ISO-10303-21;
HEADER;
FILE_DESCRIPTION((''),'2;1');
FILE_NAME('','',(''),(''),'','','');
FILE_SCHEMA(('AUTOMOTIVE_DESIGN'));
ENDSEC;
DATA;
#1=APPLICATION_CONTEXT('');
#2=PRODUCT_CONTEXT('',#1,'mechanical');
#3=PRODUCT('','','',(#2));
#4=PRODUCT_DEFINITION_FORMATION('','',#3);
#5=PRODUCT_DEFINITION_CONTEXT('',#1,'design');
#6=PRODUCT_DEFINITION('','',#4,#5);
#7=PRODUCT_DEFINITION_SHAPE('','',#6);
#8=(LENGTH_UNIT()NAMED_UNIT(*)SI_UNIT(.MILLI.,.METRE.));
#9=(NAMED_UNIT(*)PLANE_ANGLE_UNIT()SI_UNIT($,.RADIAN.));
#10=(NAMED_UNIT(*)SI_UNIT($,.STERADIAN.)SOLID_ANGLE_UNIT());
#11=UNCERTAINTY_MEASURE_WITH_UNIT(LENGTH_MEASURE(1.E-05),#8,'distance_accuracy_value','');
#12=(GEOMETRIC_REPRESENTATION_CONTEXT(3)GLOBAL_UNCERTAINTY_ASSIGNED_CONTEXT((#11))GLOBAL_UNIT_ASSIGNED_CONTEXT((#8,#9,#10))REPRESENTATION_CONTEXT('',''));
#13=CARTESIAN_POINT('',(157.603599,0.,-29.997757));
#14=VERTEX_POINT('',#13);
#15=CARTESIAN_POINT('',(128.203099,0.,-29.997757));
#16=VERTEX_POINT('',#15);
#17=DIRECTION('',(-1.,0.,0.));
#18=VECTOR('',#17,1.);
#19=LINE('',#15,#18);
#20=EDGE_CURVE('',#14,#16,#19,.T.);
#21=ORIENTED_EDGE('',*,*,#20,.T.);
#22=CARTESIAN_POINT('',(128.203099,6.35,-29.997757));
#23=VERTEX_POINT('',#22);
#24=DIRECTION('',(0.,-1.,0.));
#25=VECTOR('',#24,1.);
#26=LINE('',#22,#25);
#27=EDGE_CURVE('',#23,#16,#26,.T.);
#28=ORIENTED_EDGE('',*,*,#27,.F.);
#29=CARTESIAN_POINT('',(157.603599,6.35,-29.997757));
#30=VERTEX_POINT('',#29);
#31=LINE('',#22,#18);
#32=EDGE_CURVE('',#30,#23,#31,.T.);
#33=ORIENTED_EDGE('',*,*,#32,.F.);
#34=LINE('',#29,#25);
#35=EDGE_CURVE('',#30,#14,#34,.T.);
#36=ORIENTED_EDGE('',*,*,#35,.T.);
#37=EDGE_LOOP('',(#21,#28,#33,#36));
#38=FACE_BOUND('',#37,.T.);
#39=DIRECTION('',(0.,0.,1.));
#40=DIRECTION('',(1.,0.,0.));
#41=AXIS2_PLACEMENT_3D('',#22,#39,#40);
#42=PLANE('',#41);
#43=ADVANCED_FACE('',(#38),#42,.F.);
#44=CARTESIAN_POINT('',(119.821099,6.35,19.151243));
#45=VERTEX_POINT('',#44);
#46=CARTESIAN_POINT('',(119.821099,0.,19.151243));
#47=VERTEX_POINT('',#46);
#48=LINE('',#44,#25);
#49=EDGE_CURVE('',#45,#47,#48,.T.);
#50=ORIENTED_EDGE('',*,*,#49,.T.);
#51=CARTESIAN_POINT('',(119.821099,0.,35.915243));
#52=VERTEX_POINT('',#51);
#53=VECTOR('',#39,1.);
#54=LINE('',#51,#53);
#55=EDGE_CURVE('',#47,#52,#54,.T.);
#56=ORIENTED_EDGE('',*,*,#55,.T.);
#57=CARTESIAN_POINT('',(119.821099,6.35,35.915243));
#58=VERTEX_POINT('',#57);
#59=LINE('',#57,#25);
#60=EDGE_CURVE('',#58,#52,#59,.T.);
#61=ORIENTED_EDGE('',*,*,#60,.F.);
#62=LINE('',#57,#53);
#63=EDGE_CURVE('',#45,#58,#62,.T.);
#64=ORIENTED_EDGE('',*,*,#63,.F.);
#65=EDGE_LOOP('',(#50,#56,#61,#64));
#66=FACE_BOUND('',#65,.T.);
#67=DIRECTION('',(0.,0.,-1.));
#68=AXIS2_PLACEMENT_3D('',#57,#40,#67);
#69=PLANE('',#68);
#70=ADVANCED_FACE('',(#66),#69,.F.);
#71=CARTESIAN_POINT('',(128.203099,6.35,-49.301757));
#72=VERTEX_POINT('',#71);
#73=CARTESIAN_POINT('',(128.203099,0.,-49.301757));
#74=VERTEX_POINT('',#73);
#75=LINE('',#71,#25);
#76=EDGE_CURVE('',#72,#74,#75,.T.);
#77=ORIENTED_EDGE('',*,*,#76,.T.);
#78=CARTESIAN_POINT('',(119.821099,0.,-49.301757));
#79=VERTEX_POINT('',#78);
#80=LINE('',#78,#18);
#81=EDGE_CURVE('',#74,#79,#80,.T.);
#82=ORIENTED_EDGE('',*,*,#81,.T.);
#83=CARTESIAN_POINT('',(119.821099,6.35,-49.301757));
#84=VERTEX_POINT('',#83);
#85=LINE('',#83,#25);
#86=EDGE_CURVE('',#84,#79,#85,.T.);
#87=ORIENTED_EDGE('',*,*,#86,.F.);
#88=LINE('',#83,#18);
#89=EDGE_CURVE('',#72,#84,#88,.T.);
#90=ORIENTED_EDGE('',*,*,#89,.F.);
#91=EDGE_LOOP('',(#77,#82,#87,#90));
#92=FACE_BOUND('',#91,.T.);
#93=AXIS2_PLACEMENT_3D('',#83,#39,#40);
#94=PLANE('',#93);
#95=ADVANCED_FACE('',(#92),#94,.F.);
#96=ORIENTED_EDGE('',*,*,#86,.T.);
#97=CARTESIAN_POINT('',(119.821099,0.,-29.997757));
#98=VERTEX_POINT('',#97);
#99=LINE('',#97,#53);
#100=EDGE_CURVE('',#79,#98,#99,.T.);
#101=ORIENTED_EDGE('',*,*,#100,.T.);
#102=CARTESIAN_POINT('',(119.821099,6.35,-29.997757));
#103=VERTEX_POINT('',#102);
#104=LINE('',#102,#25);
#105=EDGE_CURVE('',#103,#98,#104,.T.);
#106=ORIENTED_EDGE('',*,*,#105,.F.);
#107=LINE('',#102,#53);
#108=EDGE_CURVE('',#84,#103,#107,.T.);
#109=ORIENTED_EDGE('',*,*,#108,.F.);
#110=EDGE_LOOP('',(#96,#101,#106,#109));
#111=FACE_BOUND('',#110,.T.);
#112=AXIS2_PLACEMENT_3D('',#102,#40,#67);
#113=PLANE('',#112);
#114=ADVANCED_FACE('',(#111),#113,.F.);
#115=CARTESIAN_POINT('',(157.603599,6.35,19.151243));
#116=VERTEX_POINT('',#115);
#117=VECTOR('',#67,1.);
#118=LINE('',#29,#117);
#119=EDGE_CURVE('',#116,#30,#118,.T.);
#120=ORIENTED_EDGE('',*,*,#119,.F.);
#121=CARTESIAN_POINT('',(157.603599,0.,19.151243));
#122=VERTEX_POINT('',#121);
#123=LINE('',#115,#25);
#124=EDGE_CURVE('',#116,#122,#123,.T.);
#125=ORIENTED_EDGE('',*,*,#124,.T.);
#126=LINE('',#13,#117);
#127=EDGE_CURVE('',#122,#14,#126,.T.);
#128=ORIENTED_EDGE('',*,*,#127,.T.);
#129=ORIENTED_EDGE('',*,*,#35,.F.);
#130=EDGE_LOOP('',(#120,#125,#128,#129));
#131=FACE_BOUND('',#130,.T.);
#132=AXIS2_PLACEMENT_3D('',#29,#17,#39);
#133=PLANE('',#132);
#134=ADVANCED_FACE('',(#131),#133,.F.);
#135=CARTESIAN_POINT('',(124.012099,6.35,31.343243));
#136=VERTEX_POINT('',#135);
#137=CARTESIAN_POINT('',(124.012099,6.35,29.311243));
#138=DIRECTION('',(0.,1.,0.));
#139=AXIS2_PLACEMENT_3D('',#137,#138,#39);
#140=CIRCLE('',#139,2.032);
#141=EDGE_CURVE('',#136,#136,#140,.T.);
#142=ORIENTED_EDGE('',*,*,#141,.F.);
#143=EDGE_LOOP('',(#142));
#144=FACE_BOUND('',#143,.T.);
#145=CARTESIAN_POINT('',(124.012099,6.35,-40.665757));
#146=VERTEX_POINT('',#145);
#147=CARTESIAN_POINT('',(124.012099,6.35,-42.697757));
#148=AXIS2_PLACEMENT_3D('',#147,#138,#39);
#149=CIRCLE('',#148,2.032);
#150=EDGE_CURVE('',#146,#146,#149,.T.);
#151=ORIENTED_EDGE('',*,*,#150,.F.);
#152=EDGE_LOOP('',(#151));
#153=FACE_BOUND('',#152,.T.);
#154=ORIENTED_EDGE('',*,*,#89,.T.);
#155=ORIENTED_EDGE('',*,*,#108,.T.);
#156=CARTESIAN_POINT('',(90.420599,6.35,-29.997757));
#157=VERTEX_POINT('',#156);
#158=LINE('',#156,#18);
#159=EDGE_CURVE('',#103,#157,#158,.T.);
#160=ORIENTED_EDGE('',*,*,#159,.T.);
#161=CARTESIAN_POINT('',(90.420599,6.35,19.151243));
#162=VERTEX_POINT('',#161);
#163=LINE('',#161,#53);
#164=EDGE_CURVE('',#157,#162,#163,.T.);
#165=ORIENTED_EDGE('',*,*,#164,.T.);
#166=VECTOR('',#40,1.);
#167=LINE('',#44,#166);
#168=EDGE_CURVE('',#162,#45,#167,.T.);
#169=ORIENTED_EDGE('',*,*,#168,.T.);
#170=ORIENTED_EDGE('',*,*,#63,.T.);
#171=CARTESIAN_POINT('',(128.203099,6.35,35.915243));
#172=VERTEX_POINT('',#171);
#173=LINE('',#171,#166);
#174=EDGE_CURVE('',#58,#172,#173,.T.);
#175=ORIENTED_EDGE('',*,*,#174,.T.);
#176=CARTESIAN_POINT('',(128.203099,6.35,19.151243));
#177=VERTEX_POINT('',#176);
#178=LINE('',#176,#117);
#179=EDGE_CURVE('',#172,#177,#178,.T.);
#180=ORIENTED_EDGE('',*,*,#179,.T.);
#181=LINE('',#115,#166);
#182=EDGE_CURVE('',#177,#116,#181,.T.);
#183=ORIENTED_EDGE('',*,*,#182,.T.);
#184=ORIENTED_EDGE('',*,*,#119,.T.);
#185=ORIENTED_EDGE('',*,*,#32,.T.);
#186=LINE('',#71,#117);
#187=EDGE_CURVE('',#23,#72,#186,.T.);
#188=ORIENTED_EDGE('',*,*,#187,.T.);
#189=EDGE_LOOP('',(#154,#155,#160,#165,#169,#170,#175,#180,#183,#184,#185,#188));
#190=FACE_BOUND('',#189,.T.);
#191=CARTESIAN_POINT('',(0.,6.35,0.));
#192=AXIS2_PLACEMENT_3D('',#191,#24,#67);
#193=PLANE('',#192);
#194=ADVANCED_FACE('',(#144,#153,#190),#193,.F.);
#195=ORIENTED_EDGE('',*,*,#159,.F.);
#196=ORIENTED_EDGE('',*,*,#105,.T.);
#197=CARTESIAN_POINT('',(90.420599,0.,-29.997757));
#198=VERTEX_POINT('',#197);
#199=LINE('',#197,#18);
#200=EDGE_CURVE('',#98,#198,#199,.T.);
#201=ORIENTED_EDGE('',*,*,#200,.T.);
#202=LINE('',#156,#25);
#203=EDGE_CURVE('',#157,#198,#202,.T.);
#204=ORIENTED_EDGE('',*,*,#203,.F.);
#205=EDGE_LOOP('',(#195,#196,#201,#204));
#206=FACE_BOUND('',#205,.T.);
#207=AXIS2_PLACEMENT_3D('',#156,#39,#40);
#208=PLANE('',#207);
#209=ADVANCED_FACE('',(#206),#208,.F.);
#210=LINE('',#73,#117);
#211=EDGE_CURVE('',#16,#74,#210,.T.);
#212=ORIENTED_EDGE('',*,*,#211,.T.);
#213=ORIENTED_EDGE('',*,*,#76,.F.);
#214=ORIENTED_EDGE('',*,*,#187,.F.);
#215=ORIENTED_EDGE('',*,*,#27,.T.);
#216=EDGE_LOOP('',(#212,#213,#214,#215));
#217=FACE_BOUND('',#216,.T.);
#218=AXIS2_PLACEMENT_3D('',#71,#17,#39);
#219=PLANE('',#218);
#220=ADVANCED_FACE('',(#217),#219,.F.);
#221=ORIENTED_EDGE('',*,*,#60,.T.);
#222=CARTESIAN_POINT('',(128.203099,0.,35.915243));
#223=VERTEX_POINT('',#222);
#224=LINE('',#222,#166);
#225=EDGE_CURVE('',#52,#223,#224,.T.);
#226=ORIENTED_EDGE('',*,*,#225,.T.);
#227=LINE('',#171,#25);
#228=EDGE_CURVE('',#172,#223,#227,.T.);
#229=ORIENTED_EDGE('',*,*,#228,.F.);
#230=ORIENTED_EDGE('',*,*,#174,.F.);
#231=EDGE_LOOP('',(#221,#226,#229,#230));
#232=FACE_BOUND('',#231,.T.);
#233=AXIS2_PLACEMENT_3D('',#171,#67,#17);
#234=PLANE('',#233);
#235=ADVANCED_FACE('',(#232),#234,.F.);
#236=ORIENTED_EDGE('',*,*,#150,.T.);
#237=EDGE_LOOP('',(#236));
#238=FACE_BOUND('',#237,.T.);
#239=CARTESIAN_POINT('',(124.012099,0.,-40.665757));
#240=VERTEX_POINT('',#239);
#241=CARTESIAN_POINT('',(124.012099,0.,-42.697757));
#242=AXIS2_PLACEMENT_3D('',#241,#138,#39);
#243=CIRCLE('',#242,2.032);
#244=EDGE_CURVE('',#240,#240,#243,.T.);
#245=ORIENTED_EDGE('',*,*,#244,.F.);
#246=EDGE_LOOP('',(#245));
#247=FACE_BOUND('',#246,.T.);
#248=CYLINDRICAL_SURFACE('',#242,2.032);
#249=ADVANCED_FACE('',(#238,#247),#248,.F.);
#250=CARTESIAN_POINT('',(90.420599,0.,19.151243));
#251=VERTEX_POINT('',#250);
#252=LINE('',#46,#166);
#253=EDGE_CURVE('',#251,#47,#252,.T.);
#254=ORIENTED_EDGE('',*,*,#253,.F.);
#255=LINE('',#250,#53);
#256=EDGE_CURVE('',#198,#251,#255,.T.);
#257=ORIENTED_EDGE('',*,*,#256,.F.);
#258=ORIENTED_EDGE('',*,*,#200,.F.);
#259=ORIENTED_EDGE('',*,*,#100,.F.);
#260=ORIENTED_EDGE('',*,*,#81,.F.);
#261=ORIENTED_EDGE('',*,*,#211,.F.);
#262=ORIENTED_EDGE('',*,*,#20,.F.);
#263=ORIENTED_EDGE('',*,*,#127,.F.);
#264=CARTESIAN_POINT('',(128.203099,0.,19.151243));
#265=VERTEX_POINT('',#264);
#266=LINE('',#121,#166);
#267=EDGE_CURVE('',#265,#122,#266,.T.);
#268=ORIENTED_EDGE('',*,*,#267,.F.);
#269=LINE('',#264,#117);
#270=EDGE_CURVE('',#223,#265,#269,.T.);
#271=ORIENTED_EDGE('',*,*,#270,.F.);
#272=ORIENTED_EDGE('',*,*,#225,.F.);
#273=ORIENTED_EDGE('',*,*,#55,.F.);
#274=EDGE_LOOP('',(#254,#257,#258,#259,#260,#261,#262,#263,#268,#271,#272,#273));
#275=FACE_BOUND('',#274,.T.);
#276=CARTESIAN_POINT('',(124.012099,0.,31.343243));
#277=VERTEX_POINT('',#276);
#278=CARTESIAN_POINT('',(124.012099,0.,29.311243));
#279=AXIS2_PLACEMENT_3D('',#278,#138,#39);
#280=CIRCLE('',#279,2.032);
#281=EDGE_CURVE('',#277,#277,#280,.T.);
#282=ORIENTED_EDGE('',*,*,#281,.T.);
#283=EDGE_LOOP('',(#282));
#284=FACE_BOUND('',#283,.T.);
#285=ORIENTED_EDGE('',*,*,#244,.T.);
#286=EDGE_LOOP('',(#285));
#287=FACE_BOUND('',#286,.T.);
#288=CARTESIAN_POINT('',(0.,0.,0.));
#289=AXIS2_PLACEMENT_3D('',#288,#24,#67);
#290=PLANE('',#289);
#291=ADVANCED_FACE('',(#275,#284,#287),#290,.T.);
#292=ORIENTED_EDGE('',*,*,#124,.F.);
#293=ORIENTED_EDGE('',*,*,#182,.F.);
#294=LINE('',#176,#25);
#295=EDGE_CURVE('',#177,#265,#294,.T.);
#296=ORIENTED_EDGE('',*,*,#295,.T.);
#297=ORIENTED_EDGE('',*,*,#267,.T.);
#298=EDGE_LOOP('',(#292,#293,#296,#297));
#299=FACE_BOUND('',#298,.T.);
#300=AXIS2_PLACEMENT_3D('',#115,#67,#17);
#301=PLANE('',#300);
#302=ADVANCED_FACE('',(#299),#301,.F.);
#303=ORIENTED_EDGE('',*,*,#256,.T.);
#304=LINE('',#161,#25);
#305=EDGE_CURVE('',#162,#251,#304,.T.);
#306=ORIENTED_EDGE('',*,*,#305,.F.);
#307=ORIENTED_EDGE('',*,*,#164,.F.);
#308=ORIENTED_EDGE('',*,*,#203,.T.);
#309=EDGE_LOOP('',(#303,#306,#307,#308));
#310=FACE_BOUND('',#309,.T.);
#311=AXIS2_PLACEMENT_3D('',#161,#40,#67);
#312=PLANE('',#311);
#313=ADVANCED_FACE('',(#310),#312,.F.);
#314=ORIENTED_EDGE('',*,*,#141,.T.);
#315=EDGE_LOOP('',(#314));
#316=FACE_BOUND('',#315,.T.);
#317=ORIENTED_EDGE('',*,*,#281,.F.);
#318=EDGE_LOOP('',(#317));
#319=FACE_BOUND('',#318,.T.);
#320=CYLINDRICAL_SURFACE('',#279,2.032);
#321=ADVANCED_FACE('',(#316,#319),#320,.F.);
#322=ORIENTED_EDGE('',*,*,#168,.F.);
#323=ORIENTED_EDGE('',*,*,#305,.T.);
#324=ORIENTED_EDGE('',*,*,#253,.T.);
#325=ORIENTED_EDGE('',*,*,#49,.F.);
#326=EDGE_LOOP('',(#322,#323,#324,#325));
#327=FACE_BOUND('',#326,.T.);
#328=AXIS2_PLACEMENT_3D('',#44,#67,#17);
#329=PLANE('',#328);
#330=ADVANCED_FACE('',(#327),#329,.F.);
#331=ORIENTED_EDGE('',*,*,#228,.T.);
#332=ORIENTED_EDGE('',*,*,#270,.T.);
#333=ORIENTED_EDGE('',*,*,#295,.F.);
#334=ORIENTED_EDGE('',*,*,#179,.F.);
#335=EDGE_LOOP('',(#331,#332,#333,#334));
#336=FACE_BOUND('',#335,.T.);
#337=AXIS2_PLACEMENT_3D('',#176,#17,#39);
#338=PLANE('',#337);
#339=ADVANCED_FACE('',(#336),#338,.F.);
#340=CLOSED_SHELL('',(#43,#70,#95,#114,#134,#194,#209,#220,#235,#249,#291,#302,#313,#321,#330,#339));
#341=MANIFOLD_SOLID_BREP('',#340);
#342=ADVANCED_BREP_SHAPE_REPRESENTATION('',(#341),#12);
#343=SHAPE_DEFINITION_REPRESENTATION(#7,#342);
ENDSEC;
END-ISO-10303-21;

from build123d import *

# Parameters (mm, degrees)
BOSS_EXTRUDE1_DEPTH = 6.35
SKETCH2_R           = 2.032
CUT_EXTRUDE1_DEPTH  = 166.257012101


with BuildPart() as part:
    # Sketch1 → Boss-Extrude1 (new body)
    with BuildSketch(Plane(origin=(0, 0, 0), x_dir=(1, 0, 0), z_dir=(0, 1, 0))):
        Polygon((90.420598733, 29.997756713), (119.821098733, 29.997756713), (119.821098733, 49.301756713), (128.203098733, 49.301756713), (128.203098733, 29.997756713), (157.603598733, 29.997756713), (157.603598733, -19.151243287), (128.203098733, -19.151243287), (128.203098733, -35.915243287), (119.821098733, -35.915243287), (119.821098733, -19.151243287), (90.420598733, -19.151243287), align=None)
    extrude(amount=BOSS_EXTRUDE1_DEPTH)

    # Sketch2 → Cut-Extrude1 (cut, through all)
    with BuildSketch(Plane(origin=(0, 6.35, 0), x_dir=(1, 0, 0), z_dir=(0, 1, 0))):
        with Locations(Location((124.012098733, -29.311243287, 0), (0, 0, 270))):
            Circle(SKETCH2_R)
        with Locations(Location((124.012098733, 42.697756713, 0), (0, 0, 270))):
            Circle(SKETCH2_R)
    extrude(amount=-CUT_EXTRUDE1_DEPTH, mode=Mode.SUBTRACT)


solid = part.part
